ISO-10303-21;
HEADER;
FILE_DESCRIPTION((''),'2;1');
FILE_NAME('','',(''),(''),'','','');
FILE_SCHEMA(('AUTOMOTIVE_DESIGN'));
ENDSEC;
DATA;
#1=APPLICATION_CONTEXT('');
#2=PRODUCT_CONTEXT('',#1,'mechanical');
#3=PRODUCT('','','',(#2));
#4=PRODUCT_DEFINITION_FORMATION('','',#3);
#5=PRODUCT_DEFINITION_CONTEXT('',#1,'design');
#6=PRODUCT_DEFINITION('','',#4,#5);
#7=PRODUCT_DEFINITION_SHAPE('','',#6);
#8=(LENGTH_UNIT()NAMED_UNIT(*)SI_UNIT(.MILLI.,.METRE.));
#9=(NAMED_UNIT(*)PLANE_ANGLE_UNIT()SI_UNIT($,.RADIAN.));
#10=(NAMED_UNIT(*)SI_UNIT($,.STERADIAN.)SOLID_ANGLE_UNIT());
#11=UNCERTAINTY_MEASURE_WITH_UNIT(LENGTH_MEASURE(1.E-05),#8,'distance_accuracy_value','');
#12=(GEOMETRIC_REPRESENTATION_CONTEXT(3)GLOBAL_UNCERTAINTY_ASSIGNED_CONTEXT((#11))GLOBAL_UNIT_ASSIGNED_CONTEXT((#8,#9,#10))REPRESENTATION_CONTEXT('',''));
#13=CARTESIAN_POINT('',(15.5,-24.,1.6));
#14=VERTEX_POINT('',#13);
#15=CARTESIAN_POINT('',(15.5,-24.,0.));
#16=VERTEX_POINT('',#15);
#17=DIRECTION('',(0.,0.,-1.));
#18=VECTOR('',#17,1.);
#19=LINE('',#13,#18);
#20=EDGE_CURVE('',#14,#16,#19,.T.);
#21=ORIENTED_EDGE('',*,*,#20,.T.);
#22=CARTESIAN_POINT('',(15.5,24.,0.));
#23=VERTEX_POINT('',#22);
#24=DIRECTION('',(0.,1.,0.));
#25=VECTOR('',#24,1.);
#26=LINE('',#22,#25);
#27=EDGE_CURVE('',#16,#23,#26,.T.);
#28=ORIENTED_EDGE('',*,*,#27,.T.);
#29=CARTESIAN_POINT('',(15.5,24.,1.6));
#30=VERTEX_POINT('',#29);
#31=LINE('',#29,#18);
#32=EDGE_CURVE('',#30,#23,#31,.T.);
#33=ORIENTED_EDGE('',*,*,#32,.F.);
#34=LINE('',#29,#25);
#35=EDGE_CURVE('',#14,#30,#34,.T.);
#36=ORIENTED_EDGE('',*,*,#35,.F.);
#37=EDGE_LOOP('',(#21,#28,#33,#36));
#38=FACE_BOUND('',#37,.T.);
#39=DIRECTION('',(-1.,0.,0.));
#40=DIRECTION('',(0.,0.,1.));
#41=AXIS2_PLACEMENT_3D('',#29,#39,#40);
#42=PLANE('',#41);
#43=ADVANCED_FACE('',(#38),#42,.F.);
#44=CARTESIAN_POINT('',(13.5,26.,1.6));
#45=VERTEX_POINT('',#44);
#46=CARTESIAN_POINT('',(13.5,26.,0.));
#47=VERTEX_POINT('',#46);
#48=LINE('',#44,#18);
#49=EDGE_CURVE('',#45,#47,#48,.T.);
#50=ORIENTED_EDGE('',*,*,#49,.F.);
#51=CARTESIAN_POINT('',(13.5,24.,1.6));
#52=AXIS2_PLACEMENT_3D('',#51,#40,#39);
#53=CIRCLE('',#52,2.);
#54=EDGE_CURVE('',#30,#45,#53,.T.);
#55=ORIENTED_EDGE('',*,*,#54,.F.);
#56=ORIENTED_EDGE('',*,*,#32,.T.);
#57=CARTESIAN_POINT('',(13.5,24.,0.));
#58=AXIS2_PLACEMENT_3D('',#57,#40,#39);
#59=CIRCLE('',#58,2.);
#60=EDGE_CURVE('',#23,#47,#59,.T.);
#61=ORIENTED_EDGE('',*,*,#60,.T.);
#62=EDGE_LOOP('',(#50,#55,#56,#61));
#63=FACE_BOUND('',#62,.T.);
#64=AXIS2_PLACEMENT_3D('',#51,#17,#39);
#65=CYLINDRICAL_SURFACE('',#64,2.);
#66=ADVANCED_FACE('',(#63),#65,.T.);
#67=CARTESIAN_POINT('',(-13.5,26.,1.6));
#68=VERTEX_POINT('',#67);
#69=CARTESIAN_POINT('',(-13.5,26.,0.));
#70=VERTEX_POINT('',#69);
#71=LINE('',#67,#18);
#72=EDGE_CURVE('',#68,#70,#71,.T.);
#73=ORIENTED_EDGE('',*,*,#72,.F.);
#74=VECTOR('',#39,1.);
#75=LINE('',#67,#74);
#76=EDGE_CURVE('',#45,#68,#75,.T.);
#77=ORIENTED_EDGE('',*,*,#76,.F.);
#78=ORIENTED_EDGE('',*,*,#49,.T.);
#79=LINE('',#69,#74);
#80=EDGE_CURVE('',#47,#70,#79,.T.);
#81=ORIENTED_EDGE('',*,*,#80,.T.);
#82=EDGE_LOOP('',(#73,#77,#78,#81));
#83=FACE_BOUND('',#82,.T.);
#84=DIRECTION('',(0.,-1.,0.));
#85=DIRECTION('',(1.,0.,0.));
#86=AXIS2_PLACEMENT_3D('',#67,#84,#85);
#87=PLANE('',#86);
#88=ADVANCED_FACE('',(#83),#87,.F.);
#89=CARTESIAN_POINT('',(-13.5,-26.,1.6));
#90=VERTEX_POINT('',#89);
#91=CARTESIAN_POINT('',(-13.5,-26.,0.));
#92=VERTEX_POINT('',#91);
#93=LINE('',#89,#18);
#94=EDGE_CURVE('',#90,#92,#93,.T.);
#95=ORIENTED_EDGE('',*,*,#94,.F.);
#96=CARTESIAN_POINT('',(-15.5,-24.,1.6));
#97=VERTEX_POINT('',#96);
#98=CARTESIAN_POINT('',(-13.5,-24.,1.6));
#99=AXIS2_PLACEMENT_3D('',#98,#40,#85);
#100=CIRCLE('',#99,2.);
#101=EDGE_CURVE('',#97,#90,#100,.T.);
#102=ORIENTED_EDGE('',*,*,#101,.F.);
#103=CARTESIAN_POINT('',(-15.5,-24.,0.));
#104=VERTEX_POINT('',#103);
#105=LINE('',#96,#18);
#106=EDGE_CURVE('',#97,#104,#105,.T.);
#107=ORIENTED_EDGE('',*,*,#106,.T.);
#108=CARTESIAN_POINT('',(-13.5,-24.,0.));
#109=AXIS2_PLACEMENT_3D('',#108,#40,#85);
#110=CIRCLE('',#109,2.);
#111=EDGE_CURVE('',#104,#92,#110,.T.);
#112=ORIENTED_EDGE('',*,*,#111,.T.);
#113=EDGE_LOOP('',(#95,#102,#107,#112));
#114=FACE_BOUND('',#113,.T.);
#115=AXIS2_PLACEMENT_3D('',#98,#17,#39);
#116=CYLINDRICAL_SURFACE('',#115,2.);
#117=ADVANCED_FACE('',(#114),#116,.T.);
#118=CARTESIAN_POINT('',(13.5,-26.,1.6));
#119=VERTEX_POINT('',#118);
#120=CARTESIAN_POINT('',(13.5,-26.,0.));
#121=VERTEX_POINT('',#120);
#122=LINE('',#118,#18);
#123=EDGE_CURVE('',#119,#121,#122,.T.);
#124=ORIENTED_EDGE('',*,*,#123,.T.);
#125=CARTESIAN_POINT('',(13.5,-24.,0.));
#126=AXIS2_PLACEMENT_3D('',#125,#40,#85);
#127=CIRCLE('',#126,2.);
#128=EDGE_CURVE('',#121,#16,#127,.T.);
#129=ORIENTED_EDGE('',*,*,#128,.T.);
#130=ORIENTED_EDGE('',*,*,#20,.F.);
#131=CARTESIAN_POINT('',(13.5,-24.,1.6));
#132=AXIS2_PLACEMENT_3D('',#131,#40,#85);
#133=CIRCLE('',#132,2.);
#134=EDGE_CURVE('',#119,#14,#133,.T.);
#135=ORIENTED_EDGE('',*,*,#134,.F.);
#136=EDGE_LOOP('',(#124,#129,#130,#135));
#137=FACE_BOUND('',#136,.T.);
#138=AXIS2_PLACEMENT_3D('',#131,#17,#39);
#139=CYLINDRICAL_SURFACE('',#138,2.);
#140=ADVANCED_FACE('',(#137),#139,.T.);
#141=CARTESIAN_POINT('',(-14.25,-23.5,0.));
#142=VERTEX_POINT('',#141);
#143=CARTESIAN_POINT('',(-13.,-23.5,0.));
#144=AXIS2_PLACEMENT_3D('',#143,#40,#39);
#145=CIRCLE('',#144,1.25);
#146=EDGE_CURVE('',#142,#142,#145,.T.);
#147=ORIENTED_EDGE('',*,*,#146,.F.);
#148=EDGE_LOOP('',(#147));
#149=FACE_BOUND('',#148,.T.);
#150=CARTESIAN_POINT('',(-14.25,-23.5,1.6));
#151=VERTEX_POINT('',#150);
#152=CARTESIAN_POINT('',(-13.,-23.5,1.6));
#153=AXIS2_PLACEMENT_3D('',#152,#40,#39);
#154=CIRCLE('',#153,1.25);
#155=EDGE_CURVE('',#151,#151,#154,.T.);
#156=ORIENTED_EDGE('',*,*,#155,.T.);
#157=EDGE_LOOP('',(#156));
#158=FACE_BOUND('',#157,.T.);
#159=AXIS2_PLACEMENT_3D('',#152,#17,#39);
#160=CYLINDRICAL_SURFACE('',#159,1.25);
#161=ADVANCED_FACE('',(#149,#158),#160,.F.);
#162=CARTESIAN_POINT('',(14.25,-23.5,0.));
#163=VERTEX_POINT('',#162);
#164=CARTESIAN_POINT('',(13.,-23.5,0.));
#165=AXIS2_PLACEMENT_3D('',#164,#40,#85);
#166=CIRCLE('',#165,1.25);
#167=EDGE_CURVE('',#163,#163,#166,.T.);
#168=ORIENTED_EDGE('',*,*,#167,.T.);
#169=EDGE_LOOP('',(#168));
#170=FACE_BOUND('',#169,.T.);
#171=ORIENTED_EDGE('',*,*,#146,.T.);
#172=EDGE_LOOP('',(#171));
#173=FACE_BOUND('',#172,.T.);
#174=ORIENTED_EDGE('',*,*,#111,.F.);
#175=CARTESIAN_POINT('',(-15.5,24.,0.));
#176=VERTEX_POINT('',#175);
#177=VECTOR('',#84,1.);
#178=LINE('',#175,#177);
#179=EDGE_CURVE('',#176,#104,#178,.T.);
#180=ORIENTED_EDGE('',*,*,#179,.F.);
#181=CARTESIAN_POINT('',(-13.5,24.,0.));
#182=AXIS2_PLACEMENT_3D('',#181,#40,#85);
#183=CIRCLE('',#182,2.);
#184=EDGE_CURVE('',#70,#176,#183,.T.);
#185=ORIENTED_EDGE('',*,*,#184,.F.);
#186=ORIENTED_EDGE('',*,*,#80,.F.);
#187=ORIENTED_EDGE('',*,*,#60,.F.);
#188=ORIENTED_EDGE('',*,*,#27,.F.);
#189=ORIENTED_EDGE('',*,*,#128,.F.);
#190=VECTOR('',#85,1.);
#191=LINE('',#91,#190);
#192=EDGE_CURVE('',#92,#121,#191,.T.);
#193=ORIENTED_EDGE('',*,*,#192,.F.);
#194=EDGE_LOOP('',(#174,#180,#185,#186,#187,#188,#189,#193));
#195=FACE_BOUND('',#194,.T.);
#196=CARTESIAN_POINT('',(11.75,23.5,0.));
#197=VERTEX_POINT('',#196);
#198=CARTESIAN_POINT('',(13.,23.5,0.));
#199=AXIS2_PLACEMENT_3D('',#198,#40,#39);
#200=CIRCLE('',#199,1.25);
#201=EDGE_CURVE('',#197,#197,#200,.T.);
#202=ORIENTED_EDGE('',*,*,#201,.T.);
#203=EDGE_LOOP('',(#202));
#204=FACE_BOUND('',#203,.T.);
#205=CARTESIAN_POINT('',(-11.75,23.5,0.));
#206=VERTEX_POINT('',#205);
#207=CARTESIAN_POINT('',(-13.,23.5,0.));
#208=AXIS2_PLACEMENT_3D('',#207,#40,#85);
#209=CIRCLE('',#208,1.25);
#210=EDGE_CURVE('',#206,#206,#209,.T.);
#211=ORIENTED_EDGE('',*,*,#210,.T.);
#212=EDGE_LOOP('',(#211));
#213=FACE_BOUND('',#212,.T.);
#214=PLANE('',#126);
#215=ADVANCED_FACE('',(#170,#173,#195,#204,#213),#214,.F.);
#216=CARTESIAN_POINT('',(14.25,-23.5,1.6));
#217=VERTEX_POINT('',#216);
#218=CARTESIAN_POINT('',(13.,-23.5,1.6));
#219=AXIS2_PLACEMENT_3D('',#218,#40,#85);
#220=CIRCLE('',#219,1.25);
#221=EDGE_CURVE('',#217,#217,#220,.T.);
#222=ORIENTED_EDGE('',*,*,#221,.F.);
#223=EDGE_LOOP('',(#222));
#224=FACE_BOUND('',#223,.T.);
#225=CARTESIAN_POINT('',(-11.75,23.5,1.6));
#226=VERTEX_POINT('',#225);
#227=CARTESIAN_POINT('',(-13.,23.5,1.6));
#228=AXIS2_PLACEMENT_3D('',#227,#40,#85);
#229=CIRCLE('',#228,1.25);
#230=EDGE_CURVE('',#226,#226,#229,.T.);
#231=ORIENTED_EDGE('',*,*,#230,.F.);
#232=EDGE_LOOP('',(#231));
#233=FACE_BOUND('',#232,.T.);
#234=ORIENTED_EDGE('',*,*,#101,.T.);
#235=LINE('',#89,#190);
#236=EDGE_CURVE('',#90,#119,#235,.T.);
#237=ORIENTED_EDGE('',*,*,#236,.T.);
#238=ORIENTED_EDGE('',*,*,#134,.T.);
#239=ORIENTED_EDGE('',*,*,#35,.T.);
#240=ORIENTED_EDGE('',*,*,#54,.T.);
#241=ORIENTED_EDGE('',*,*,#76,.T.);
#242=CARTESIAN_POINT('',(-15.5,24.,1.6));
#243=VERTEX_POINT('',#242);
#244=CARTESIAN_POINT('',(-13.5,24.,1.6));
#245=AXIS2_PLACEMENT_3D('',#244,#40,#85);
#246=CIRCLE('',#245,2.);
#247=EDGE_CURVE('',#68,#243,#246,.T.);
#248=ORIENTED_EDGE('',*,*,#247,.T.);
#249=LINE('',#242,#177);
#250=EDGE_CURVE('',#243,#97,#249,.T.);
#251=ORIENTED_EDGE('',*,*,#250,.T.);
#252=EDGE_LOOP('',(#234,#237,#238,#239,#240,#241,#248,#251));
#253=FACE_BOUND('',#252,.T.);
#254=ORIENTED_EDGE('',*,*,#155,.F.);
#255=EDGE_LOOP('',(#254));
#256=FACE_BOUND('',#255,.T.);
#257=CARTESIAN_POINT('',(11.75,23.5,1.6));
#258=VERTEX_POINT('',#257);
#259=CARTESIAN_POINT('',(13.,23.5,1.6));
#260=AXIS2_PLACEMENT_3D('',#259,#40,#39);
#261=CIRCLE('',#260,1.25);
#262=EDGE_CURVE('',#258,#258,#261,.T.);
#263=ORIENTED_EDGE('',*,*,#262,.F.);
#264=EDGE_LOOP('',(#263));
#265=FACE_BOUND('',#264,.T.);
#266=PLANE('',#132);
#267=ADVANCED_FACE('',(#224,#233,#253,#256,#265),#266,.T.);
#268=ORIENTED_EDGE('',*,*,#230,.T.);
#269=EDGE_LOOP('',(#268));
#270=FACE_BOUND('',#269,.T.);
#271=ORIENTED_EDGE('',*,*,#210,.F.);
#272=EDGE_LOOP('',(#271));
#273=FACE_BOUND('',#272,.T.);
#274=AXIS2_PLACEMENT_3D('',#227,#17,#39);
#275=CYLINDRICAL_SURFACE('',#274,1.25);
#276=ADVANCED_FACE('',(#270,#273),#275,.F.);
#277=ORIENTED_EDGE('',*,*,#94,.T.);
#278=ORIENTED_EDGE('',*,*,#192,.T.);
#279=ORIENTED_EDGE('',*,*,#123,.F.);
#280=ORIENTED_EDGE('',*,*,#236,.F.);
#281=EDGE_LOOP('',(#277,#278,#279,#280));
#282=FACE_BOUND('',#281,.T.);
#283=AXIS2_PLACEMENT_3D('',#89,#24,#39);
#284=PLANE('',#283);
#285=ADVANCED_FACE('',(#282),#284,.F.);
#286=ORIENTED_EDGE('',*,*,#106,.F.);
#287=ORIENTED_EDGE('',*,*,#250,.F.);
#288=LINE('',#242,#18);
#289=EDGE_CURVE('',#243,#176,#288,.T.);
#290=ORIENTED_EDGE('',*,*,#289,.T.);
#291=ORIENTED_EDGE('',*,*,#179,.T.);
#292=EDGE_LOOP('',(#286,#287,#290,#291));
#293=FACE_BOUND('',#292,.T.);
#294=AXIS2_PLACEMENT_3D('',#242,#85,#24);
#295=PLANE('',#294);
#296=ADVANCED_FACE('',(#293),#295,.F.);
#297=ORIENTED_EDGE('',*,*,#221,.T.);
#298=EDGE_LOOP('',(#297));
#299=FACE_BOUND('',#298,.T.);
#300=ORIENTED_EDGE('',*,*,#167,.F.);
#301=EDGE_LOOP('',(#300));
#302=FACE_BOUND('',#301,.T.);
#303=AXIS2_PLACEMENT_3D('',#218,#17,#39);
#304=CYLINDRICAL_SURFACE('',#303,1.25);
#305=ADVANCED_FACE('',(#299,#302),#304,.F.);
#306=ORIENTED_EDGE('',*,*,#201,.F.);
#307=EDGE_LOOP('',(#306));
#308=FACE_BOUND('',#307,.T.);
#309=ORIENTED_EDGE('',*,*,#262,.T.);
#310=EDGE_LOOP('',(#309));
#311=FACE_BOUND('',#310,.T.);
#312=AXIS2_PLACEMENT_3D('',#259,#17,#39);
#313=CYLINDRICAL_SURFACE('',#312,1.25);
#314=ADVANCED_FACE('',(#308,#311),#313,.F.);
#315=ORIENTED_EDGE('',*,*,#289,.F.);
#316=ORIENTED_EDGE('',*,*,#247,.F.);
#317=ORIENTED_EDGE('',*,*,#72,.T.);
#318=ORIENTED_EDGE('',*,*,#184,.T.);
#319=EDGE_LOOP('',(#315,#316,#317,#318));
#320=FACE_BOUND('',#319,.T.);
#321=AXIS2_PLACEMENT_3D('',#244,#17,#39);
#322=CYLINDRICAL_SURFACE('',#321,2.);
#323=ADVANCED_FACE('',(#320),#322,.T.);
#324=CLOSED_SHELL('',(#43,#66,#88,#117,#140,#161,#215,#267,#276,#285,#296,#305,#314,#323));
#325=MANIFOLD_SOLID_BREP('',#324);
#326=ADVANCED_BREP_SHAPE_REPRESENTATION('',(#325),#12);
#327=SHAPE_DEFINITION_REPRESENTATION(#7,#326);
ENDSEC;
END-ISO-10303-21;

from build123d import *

# Parameters (mm, degrees)
SKETCH1_R           = 1.25
BOSS_EXTRUDE1_DEPTH = 1.6


with BuildPart() as part:
    # Sketch1 → Boss-Extrude1 (new body)
    with BuildSketch(Plane.XY):
        with BuildLine():
            Line((-13.5, 26), (13.5, 26))
            ThreePointArc((13.5, 26), (14.914213562, 25.414213562), (15.5, 24))
            Line((15.5, 24), (15.5, -24))
            ThreePointArc((15.5, -24), (14.914213562, -25.414213562), (13.5, -26))
            Line((13.5, -26), (-13.5, -26))
            ThreePointArc((-13.5, -26), (-14.914213562, -25.414213562), (-15.5, -24))
            Line((-15.5, -24), (-15.5, 24))
            ThreePointArc((-15.5, 24), (-14.914213562, 25.414213562), (-13.5, 26))
        make_face()
        with Locations((-13, 23.5)):
            Circle(SKETCH1_R, mode=Mode.SUBTRACT)
        with Locations((13, 23.5)):
            Circle(SKETCH1_R, mode=Mode.SUBTRACT)
        with Locations((13, -23.5)):
            Circle(SKETCH1_R, mode=Mode.SUBTRACT)
        with Locations((-13, -23.5)):
            Circle(SKETCH1_R, mode=Mode.SUBTRACT)
    extrude(amount=BOSS_EXTRUDE1_DEPTH)


solid = part.part
